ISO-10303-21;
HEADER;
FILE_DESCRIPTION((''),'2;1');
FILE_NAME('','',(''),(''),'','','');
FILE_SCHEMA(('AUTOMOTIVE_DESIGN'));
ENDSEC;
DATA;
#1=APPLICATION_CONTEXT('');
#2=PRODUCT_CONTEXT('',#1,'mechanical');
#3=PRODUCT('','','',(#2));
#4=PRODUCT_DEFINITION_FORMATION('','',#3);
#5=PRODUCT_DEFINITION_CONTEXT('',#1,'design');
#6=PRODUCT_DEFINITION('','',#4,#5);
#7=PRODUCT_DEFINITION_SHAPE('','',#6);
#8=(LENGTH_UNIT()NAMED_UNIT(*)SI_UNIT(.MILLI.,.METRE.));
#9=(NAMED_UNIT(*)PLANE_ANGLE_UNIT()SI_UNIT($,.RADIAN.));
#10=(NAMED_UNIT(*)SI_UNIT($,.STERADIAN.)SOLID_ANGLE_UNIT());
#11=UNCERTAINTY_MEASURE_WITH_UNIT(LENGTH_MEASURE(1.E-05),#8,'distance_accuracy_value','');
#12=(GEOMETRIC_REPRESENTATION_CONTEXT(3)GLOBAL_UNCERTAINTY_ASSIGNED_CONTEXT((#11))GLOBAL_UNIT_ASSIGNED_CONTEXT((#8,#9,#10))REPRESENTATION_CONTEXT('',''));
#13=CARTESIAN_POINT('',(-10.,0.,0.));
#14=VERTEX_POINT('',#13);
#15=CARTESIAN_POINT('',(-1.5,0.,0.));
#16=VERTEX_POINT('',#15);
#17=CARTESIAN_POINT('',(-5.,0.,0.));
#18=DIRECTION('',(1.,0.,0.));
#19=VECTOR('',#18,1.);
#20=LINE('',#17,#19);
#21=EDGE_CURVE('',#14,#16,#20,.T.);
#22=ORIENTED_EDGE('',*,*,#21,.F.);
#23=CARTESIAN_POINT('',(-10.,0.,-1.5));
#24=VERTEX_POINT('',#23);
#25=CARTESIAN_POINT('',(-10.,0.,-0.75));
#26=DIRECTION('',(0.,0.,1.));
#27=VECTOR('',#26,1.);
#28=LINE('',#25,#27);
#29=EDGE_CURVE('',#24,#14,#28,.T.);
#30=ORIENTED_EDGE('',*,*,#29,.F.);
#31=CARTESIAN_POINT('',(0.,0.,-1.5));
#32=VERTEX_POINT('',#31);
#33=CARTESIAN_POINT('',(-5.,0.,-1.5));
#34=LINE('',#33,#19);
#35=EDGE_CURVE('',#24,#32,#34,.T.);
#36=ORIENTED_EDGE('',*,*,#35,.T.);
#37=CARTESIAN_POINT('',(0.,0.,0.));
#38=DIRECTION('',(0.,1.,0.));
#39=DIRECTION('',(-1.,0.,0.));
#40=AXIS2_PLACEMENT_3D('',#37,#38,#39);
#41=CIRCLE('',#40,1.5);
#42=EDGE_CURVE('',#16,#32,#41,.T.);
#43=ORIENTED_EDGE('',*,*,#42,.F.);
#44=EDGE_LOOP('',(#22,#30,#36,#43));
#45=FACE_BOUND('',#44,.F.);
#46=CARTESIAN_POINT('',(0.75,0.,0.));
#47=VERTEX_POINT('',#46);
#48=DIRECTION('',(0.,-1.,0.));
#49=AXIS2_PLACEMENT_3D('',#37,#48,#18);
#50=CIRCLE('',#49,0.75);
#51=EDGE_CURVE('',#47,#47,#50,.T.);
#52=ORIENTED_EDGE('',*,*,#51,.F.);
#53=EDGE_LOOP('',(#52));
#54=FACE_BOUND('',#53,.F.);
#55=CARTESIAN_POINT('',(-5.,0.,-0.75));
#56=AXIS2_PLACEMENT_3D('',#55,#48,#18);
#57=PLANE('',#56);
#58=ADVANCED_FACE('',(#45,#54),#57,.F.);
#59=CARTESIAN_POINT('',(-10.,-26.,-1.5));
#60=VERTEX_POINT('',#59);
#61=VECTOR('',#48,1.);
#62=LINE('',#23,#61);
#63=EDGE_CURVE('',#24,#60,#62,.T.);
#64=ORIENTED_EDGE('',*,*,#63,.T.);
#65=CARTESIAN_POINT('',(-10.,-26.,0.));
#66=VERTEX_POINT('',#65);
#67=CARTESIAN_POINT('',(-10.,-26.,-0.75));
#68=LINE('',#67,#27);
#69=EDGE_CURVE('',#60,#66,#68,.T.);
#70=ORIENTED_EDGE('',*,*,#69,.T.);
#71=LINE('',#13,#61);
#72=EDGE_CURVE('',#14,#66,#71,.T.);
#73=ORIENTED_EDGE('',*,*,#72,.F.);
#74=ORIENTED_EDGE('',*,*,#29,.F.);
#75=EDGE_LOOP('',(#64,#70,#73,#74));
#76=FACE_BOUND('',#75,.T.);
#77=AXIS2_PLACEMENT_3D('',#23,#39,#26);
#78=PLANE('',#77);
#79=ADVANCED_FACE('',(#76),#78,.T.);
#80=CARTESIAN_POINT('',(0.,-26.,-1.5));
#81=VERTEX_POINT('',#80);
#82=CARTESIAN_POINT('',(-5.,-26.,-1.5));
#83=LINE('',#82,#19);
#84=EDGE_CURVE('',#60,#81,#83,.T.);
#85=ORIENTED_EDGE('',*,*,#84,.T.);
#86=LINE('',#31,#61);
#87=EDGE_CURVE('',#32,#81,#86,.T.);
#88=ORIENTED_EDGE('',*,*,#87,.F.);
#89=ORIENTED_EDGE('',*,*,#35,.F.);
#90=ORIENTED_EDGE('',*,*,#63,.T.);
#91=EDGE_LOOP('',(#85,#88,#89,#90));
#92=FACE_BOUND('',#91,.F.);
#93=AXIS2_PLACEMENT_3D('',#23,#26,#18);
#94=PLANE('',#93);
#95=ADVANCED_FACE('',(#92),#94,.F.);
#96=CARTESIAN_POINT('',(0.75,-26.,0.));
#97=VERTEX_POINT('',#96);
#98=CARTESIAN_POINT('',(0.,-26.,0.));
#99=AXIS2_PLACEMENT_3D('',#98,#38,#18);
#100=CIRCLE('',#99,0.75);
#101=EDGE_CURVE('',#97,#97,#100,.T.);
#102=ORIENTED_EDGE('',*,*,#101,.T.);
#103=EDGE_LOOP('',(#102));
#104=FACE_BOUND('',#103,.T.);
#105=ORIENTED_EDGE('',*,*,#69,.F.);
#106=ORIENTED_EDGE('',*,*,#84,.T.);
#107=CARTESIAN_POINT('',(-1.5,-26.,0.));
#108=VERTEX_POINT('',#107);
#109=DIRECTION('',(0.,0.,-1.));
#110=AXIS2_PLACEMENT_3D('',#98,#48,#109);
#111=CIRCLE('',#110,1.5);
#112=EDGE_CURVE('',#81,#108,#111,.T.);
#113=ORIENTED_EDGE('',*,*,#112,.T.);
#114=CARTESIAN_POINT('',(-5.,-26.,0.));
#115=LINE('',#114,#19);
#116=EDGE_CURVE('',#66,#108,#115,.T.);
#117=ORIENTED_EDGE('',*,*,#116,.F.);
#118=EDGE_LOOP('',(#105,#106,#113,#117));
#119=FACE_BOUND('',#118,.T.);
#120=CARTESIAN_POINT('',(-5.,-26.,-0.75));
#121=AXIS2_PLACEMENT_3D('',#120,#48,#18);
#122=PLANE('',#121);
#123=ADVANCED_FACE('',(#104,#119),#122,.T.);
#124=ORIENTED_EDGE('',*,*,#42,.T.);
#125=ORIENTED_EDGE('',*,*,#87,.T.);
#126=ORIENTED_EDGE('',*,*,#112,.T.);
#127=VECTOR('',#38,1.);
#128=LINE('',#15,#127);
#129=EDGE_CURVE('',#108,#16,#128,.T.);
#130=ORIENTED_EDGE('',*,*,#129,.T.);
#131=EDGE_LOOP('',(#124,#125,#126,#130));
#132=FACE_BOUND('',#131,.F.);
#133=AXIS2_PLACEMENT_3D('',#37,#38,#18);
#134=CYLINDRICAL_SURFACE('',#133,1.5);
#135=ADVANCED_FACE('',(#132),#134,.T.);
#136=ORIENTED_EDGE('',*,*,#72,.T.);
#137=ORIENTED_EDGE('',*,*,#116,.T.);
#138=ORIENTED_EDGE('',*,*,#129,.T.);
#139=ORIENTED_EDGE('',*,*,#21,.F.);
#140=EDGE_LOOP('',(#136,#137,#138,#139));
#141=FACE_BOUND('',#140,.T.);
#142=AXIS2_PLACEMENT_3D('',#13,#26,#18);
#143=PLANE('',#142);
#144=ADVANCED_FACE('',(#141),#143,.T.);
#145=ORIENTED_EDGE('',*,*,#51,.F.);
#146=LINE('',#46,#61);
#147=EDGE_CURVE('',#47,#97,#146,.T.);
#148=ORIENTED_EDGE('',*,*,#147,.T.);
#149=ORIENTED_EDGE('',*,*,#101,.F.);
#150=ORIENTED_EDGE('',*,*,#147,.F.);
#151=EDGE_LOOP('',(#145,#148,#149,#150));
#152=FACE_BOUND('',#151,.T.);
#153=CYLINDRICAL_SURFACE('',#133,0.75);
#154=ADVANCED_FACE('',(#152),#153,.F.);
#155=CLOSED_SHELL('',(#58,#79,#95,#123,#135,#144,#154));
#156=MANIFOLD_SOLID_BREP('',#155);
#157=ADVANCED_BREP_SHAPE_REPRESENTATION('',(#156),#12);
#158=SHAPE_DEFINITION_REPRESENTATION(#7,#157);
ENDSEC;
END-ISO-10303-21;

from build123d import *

# Parameters (mm, degrees)
F0_R     = 1.5
F1_DEPTH = 26
F2_W     = 10
F2_H     = 1.5
F3_DEPTH = 26
F4_R     = 0.75
F5_DEPTH = 28.9


with BuildPart() as f1:
    # F0 (on Front) → F1 (new body)
    with BuildSketch(Plane.XZ):
        Circle(F0_R)
    extrude(amount=F1_DEPTH)

    # F2 (on Front) → F3 (join)
    with BuildSketch(Plane.XZ):
        with Locations((-5, -0.75)):
            Rectangle(F2_W, F2_H)
    extrude(amount=F3_DEPTH)

    # F4 (on Front) → F5 (cut)
    with BuildSketch(Plane.XZ):
        Circle(F4_R)
    extrude(amount=F5_DEPTH, mode=Mode.SUBTRACT)


solid = f1.part
